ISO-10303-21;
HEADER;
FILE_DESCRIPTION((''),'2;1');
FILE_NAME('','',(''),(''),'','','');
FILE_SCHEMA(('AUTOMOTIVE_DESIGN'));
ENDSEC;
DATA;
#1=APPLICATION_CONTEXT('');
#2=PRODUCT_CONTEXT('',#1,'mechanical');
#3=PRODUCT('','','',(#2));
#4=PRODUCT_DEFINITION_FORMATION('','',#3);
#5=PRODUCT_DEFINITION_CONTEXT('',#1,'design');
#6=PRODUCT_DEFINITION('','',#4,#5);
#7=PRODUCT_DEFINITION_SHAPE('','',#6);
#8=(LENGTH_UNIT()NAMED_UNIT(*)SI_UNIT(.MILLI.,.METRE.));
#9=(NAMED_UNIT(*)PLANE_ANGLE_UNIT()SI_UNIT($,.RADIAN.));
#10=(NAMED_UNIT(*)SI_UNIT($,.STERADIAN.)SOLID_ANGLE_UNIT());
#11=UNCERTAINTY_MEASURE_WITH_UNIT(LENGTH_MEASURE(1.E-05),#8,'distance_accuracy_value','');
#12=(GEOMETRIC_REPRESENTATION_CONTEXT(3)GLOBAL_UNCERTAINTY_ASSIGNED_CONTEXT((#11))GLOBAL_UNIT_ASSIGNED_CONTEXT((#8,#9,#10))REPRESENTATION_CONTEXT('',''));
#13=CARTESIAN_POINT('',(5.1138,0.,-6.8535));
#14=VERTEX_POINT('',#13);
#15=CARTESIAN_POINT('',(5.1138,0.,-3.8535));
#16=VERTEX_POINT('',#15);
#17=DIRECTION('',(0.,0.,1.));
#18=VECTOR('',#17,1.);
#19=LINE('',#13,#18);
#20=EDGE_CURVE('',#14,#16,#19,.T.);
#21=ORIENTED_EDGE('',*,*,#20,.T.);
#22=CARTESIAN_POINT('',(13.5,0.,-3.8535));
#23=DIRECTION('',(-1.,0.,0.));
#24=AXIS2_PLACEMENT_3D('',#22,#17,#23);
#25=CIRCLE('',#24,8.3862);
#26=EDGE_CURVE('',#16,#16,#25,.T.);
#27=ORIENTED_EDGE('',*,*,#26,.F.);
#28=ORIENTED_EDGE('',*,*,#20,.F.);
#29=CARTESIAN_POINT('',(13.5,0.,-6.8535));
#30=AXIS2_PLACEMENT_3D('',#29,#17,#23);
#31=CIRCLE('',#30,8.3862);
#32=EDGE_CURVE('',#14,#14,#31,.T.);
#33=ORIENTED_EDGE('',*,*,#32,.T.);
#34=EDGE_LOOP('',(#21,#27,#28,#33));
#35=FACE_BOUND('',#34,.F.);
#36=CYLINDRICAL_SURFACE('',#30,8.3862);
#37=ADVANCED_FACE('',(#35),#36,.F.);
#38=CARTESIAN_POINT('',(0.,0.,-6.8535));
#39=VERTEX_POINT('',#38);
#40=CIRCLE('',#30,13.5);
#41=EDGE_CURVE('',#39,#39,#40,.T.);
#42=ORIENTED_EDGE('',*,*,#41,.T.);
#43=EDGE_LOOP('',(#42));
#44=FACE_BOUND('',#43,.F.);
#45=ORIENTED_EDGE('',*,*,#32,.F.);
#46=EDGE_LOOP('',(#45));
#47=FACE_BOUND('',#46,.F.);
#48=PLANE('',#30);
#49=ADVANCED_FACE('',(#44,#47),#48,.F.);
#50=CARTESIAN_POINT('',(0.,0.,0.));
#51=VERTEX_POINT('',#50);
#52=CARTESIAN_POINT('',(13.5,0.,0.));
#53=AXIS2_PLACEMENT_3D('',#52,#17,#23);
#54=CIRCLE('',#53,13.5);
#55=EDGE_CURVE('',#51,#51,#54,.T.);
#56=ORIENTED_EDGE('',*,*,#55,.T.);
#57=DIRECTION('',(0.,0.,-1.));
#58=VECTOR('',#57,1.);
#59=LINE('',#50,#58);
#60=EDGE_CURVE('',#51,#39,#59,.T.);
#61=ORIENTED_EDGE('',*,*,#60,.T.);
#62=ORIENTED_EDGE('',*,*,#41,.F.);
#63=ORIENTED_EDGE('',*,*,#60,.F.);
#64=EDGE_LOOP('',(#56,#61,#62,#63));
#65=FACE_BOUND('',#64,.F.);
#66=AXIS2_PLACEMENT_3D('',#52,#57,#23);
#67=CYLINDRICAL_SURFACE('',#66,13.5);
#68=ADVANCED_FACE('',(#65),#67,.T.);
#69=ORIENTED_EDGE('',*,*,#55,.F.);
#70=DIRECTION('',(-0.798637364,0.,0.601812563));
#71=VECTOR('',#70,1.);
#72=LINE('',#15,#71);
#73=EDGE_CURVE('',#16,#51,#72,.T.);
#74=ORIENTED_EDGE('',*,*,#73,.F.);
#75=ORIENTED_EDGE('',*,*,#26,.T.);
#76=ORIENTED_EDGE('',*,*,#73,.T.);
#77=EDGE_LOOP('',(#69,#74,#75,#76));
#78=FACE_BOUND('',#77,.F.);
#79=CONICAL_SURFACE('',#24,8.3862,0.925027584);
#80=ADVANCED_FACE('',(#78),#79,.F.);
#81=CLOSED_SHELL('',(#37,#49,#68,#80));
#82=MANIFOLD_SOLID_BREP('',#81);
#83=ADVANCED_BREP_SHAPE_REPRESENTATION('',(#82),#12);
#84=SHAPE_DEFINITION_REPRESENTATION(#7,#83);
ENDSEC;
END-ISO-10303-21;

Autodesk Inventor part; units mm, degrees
ref_plane "YZ Plane" through (0, 0, 0) normal (1, 0, 0) x (0, 1, 0)
ref_plane "XZ Plane" through (0, 0, 0) normal (0, 1, 0) x (-1, 0, 0)
ref_plane "XY Plane" through (0, 0, 0) normal (0, 0, 1) x (1, 0, 0)
sketch "Sketch8" plane through (0, 0, 0) normal (0, 1, 0) x (-1, 0, 0)
  line L0 (0, 0) -> (0, -6.8535)
  line L1 (0, -6.8535) -> (-5.1138, -6.8535)
  line L2 (-5.1138, -6.8535) -> (-5.1138, -3.8535)
  line L3 (-13.5, -15.8726) -> (-13.5, 1.8726)
  line L4 (-5.1138, -3.8535) -> (0, 0)
  point P0 (-13.5, -7)
  dimension "d23" = 53
revolve "Revolution1" add sketch "Sketch8" angle 360 about axis through (13.5, 0, -15.8726) along (0, 0, 1)
properties part number "00.32.006 \"Ring\"" material "Steel"
